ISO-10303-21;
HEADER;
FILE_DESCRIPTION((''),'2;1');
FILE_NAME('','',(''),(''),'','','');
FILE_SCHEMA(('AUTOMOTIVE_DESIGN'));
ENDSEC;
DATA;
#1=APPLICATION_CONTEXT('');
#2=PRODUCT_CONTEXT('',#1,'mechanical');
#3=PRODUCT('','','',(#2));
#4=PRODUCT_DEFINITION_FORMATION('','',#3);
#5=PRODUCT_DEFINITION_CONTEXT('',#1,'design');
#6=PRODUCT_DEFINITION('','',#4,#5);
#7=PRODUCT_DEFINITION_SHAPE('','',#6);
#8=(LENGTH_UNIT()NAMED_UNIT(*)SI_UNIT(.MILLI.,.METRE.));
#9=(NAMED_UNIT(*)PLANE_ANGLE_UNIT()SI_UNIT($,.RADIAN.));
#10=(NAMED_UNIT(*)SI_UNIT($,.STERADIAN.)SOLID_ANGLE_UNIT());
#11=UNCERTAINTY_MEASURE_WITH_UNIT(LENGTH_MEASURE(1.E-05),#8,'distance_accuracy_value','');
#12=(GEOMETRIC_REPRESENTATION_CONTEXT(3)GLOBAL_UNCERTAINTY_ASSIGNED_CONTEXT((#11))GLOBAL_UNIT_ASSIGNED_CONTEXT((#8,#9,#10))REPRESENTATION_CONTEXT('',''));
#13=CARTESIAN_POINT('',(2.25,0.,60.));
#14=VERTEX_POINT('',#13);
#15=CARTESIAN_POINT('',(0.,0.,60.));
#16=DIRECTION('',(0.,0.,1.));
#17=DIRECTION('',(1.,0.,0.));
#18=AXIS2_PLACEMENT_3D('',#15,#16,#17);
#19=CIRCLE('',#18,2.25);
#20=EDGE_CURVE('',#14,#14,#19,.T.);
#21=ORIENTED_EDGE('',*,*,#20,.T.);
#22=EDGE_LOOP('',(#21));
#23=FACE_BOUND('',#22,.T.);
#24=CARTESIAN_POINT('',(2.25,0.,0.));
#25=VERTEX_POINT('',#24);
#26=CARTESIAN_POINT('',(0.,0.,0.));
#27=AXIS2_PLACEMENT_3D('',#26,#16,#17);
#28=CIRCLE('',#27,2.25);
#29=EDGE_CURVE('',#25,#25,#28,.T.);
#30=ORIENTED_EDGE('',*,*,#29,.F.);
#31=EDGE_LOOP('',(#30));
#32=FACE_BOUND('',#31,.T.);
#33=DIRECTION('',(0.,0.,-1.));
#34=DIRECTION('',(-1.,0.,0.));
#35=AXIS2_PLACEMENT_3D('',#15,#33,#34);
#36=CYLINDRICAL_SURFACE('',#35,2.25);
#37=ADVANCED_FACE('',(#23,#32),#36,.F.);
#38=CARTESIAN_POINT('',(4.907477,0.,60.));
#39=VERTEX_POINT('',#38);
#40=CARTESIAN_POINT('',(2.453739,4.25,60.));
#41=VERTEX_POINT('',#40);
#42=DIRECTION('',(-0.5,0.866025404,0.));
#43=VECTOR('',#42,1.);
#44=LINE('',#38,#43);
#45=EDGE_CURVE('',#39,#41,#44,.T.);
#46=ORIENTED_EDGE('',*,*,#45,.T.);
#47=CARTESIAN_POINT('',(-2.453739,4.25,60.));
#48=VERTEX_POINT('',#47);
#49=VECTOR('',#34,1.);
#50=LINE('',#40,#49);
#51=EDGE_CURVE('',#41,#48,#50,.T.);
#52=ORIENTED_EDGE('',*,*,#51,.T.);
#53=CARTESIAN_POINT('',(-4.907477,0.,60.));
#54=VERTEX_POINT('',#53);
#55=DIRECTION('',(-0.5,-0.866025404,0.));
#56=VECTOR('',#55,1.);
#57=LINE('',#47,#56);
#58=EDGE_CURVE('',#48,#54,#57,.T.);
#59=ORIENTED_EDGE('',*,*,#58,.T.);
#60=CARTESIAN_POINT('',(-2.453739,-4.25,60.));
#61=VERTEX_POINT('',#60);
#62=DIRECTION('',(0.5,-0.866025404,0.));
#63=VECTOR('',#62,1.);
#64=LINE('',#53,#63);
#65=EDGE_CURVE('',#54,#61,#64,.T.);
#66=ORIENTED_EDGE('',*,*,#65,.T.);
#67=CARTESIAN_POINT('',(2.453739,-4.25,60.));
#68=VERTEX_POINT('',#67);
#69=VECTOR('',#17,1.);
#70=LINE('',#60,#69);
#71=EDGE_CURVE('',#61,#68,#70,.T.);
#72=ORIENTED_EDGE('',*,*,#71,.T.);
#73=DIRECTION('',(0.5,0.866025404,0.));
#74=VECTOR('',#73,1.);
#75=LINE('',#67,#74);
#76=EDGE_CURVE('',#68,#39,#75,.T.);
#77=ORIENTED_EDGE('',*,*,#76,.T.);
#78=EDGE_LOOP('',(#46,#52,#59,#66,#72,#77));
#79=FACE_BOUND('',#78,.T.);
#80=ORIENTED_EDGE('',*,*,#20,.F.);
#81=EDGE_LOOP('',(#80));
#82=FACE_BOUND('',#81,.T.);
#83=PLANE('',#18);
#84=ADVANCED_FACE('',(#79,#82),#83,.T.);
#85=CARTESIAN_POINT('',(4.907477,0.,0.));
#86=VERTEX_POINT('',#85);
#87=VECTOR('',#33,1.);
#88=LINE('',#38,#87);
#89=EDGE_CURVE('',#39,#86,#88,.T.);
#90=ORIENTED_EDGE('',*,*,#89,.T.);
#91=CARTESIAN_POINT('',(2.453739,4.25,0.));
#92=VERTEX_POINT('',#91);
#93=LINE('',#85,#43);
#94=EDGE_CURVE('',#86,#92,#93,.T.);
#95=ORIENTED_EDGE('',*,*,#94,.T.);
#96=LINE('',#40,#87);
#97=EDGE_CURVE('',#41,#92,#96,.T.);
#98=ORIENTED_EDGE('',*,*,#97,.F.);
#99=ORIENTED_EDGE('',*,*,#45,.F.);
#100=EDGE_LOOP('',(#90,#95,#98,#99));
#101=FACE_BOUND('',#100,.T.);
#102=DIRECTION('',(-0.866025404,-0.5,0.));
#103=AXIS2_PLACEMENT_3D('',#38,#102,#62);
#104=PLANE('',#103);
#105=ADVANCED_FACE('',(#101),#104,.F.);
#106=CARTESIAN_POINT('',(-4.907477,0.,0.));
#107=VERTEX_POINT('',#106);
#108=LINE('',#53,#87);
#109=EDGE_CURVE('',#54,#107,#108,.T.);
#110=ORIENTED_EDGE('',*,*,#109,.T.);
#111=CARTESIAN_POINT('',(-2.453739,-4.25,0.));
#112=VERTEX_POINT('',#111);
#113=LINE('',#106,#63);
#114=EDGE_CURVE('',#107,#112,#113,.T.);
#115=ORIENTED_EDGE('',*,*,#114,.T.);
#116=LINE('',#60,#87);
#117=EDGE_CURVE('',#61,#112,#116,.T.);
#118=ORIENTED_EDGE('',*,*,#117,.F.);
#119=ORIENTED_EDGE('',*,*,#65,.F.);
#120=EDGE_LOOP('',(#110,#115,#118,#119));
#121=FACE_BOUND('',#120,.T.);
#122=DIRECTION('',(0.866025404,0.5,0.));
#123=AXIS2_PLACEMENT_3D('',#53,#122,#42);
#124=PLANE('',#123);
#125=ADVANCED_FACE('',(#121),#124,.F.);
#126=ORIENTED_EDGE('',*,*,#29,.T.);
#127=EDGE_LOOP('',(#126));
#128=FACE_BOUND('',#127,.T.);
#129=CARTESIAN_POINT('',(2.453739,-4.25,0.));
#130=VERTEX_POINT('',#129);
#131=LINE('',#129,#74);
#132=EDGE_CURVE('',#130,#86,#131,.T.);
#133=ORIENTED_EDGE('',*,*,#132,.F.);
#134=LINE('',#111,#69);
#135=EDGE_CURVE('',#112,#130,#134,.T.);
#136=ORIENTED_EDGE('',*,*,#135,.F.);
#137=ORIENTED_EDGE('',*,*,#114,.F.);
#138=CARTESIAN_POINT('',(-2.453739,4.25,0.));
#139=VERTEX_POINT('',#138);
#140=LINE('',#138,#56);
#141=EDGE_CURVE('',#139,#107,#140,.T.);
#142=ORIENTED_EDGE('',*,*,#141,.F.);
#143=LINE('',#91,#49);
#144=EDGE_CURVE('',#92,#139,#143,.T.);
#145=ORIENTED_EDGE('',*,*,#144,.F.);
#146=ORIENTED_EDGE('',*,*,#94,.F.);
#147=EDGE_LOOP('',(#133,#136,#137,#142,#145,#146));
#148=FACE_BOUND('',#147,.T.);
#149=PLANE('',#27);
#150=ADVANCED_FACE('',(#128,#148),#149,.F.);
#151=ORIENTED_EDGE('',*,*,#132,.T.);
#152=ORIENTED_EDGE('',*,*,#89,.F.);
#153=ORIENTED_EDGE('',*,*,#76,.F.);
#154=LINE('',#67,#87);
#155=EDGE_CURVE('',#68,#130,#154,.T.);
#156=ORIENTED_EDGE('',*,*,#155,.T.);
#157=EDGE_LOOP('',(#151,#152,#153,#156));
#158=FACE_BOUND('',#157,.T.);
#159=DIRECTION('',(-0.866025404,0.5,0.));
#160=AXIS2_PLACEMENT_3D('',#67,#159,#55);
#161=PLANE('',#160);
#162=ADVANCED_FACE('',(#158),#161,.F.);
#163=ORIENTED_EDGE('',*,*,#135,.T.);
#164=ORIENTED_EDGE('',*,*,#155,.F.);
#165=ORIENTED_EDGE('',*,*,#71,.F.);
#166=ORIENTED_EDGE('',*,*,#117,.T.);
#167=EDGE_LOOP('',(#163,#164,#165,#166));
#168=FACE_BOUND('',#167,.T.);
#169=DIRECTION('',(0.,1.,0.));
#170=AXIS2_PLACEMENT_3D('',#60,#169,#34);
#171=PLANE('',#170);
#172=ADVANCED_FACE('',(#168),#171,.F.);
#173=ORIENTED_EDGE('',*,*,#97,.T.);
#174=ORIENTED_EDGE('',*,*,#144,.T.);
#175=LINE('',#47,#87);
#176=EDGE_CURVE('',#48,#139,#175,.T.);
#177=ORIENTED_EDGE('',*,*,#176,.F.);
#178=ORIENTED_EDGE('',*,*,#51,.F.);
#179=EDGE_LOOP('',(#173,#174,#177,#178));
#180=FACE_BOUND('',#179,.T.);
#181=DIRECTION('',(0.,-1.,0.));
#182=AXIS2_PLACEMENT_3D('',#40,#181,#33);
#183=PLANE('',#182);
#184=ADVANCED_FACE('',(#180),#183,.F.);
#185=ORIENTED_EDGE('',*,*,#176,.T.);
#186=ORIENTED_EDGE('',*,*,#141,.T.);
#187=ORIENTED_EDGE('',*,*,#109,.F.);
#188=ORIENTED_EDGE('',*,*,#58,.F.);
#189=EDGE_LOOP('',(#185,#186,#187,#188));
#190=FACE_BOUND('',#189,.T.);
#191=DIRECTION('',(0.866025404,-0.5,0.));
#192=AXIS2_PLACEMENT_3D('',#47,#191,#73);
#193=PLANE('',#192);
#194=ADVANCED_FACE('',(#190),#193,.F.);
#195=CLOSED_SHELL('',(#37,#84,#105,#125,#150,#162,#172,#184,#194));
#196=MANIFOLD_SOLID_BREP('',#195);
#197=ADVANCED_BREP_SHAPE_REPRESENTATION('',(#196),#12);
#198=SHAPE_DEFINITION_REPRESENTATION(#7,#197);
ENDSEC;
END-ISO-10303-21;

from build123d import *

# Parameters (mm, degrees)
CROQUIS1_R              = 2.25
SALIENTE_EXTRUIR1_DEPTH = 60


with BuildPart() as part:
    # Croquis1 → Saliente-Extruir1 (new body)
    with BuildSketch(Plane.XY):
        Polygon((4.907477288, 0), (2.453738644, 4.25), (-2.453738644, 4.25), (-4.907477288, 0), (-2.453738644, -4.25), (2.453738644, -4.25), align=None)
        Circle(CROQUIS1_R, mode=Mode.SUBTRACT)
    extrude(amount=SALIENTE_EXTRUIR1_DEPTH)


solid = part.part
